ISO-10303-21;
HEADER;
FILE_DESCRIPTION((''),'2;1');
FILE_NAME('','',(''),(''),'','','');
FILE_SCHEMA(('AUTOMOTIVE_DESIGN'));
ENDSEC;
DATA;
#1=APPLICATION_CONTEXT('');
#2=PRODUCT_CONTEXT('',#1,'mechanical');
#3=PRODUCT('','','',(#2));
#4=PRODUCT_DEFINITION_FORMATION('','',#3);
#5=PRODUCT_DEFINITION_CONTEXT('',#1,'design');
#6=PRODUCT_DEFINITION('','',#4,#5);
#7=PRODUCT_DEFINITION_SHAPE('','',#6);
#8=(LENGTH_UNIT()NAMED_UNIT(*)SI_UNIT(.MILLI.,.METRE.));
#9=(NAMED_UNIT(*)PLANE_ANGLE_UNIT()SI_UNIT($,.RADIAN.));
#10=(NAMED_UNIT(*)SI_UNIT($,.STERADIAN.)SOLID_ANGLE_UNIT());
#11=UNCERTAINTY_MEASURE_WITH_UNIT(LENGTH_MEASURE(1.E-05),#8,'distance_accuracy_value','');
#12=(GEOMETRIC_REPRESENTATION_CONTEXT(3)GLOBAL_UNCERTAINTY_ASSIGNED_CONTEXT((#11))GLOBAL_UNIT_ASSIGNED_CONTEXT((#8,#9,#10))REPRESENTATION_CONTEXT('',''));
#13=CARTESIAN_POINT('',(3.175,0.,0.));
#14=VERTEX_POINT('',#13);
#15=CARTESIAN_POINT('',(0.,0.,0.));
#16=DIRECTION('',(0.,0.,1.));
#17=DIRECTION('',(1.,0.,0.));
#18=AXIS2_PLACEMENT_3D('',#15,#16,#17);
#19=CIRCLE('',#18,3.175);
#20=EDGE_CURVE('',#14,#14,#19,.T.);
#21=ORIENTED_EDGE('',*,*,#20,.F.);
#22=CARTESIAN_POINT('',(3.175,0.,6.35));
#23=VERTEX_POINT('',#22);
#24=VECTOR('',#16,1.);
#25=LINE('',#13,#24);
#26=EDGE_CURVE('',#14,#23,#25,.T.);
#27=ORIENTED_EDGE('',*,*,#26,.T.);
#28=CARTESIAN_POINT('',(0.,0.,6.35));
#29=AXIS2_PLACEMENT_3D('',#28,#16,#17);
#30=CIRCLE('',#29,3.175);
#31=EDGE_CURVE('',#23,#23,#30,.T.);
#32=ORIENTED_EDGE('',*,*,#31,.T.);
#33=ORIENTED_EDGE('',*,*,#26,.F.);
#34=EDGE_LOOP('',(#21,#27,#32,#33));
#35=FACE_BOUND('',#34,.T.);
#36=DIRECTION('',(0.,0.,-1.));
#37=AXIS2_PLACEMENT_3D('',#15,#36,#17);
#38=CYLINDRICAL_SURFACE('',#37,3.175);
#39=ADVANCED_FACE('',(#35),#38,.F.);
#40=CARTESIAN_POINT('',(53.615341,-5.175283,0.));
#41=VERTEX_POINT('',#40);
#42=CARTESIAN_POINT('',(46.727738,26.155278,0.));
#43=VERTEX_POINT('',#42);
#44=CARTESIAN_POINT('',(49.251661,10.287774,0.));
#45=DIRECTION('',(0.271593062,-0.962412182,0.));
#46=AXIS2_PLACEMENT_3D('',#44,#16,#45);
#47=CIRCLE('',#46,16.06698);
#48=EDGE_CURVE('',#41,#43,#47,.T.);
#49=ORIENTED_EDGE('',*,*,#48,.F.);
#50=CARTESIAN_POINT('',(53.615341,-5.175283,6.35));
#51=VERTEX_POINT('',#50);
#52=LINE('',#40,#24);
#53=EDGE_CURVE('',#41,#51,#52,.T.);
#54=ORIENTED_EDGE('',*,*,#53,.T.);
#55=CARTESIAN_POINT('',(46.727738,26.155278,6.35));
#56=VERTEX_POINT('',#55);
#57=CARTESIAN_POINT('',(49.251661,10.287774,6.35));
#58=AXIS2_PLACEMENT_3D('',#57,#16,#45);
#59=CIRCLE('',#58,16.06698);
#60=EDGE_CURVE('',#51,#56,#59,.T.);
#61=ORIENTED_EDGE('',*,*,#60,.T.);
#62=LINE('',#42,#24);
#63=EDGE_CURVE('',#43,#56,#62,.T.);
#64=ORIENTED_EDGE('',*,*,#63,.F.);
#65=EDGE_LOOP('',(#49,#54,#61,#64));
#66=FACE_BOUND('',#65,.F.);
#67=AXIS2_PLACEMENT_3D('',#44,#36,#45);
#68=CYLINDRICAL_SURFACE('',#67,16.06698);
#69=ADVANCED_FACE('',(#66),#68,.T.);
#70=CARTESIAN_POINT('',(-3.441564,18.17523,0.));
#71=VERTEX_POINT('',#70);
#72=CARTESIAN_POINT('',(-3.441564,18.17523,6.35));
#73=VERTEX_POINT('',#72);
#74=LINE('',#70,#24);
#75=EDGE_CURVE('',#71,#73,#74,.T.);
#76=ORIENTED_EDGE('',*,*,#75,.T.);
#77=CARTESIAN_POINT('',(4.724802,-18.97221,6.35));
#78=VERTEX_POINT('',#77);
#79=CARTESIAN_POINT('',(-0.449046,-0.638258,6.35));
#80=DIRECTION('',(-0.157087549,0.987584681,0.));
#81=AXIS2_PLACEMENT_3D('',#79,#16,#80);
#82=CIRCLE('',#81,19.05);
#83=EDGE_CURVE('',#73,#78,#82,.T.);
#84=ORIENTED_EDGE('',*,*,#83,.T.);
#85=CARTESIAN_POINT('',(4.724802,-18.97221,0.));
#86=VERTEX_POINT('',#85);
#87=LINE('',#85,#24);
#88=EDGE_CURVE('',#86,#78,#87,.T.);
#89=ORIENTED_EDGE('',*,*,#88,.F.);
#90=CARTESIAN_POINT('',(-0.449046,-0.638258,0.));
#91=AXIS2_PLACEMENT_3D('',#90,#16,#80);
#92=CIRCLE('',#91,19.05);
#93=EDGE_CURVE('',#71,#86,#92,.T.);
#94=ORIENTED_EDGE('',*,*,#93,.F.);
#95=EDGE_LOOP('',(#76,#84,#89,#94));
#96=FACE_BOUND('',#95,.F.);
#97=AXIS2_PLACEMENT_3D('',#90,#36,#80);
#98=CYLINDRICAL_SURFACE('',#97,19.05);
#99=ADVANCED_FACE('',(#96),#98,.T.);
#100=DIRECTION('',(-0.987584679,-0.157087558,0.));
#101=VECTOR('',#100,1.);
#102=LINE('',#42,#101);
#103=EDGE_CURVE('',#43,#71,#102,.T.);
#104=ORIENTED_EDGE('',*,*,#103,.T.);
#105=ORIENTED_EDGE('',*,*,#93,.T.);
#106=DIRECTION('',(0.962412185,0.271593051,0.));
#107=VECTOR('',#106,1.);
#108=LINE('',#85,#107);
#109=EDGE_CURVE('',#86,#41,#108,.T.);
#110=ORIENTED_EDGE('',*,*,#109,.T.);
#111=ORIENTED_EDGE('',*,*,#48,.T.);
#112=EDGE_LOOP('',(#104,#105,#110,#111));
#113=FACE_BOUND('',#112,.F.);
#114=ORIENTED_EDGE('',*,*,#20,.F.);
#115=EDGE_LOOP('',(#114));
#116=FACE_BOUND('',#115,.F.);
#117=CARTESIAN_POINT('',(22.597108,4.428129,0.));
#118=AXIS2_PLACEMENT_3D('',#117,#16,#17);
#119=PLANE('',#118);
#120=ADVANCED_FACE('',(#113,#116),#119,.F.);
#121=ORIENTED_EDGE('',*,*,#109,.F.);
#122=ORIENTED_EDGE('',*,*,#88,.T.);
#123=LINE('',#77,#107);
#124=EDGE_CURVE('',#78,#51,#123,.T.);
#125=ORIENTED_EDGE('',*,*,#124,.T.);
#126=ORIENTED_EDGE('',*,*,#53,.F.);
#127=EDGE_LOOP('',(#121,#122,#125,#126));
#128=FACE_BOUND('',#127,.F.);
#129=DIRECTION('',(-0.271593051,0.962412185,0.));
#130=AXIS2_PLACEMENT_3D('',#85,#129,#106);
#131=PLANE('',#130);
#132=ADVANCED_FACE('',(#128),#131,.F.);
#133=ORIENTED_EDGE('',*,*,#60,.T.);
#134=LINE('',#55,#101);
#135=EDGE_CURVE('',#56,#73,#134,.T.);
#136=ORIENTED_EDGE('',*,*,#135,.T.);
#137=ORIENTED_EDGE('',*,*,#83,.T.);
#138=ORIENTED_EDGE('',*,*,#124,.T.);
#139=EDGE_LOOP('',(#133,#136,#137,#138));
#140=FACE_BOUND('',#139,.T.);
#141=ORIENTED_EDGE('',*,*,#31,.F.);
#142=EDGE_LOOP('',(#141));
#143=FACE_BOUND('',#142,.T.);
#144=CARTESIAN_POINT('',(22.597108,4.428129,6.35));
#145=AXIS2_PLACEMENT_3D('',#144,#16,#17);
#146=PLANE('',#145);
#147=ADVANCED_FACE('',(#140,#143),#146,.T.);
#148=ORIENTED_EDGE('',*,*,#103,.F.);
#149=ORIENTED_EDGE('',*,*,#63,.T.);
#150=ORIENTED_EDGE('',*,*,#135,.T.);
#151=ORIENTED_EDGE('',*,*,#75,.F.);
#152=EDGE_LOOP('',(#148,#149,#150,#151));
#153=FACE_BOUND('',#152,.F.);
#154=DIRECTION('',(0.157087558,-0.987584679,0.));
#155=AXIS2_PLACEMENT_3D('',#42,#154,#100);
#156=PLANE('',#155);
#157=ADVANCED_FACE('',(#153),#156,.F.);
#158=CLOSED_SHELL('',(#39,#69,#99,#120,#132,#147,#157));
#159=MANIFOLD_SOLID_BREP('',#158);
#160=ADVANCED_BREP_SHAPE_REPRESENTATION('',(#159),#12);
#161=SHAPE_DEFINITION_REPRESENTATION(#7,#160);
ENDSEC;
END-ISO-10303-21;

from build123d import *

# Parameters (mm, degrees)
F0_R     = 3.175
F1_DEPTH = 6.35
F2_DEPTH = 6.35


with BuildPart() as f1:
    # F0 (on Top) → F1 (new body)
    with BuildSketch(Plane.XY):
        with BuildLine():
            ThreePointArc((-3.441564, 18.17523), (-19.054761, -4.728475), (4.724802, -18.97221))
            Line((4.724802, -18.97221), (53.615341, -5.175283))
            ThreePointArc((53.615341, -5.175283), (64.943926, 13.737508), (46.727738, 26.155278))
            Line((46.727738, 26.155278), (-3.441564, 18.17523))
        make_face()
        Circle(F0_R, mode=Mode.SUBTRACT)
    extrude(amount=F1_DEPTH)

    # F0 (on Top) → F2 (join)
    with BuildSketch(Plane.XY):
        with BuildLine():
            ThreePointArc((-3.441564, 18.17523), (-19.054761, -4.728475), (4.724802, -18.97221))
            Line((4.724802, -18.97221), (53.615341, -5.175283))
            ThreePointArc((53.615341, -5.175283), (64.943926, 13.737508), (46.727738, 26.155278))
            Line((46.727738, 26.155278), (-3.441564, 18.17523))
        make_face()
        Circle(F0_R, mode=Mode.SUBTRACT)
    extrude(amount=F2_DEPTH)


solid = f1.part
